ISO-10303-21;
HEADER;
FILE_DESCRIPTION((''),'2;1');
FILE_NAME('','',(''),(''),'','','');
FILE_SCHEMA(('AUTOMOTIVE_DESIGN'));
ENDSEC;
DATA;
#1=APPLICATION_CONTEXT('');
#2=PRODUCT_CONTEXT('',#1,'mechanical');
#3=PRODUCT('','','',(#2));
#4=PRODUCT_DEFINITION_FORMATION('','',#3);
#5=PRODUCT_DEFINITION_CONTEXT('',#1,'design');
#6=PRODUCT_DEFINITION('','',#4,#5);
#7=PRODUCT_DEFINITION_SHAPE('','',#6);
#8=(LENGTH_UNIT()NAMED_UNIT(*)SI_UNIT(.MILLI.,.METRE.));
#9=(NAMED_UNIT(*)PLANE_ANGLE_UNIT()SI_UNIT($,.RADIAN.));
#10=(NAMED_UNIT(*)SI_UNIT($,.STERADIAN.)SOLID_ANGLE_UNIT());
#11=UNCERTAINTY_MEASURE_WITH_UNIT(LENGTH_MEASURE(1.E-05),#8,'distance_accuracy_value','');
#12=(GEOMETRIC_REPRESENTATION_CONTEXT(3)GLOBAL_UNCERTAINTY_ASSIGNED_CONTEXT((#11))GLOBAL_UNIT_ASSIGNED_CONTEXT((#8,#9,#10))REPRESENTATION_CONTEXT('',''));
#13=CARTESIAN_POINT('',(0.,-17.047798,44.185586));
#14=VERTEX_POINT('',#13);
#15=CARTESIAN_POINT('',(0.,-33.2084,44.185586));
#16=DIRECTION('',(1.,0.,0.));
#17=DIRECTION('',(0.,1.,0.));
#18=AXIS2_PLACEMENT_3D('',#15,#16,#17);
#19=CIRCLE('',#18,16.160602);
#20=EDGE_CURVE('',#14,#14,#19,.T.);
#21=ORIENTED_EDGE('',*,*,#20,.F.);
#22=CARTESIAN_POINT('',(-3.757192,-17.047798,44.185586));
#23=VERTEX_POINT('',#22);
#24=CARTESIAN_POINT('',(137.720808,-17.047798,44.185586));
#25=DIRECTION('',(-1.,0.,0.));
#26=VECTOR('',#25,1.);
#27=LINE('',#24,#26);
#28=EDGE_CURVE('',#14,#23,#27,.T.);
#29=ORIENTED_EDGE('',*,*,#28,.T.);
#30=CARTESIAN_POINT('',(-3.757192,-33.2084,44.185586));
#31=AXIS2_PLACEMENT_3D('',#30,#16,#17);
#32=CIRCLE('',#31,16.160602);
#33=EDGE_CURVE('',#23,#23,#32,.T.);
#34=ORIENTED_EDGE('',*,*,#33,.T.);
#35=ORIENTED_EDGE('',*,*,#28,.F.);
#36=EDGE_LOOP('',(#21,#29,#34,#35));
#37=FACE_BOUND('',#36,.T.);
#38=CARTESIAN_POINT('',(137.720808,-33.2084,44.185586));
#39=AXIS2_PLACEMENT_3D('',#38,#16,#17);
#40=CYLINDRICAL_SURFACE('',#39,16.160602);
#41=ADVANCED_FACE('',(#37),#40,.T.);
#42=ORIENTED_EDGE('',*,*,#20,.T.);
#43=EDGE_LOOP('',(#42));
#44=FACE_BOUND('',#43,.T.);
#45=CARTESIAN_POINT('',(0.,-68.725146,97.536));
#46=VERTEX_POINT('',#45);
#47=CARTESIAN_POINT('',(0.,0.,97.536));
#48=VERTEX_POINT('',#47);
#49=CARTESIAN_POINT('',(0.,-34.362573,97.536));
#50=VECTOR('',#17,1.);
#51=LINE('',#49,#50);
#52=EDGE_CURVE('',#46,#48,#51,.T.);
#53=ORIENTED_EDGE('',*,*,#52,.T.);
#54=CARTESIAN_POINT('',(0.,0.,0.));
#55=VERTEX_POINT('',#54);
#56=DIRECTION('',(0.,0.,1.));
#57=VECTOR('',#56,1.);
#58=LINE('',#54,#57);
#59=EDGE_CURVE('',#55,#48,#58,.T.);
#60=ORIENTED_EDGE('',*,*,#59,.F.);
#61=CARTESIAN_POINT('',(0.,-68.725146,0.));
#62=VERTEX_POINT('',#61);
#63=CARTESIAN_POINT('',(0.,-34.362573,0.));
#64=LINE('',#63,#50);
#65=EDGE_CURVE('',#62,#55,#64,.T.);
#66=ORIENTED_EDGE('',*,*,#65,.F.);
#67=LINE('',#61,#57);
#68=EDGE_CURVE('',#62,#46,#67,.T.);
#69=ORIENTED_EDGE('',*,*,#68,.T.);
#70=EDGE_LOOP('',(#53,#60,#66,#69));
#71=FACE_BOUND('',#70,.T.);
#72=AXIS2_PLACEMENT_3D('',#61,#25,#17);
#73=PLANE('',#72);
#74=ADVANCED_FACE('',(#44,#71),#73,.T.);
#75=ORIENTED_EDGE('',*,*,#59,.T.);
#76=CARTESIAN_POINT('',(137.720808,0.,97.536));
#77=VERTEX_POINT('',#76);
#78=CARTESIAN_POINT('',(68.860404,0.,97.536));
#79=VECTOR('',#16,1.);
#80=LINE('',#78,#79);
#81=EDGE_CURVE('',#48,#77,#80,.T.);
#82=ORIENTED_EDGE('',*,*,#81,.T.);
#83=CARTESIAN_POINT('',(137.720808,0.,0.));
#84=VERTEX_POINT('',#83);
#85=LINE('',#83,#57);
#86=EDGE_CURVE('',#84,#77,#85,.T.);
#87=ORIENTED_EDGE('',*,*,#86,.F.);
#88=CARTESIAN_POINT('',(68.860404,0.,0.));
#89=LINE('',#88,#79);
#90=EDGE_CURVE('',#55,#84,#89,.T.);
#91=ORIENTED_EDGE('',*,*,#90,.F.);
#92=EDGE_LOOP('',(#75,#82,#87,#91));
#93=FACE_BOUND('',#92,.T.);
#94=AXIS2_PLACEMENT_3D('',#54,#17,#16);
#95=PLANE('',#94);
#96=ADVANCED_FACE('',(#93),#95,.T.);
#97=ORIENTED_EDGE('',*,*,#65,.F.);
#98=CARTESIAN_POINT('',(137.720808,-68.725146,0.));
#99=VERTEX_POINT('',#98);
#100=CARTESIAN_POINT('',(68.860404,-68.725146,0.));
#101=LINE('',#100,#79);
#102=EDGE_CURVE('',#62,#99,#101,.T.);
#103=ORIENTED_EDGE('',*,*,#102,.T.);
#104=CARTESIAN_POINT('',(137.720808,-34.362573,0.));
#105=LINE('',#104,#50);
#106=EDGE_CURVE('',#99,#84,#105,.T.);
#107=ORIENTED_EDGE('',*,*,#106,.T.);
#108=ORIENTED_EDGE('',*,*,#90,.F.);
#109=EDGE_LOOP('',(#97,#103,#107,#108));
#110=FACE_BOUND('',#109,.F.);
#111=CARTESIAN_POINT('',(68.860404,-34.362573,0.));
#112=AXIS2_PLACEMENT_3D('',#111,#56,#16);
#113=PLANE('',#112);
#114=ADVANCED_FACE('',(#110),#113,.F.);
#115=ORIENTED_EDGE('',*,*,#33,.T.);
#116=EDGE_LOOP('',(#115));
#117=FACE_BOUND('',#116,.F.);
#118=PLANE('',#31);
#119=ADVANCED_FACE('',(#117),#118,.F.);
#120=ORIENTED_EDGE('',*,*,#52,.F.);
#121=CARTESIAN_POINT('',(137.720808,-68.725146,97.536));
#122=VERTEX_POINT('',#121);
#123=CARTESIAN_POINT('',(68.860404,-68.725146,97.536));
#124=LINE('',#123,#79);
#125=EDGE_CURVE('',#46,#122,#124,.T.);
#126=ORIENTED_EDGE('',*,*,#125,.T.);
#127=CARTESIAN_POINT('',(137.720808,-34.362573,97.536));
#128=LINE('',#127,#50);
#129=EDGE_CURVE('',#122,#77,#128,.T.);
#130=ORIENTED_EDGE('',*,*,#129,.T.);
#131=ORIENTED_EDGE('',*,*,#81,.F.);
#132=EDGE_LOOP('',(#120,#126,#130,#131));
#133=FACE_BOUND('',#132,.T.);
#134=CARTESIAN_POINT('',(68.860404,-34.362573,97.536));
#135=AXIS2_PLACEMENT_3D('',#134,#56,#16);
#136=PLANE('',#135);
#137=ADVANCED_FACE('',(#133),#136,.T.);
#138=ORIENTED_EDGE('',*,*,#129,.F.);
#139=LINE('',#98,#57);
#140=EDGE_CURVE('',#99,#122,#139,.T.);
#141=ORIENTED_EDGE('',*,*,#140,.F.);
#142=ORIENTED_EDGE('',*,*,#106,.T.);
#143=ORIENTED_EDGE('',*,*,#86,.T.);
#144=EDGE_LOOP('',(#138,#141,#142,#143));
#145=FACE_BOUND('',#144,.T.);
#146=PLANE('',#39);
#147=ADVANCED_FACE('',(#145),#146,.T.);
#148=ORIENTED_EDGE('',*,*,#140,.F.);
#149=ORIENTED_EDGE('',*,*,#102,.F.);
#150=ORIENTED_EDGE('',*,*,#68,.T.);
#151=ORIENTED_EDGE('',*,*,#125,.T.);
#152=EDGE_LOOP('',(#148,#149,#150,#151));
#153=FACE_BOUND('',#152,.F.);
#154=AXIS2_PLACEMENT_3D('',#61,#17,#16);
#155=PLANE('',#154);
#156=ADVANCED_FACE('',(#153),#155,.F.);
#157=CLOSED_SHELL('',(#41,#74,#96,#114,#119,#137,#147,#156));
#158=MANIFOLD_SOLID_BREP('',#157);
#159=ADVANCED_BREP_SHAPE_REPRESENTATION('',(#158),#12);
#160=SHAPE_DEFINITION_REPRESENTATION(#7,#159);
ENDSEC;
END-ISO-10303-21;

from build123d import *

# Parameters (mm, degrees)
F0_W     = 137.720808
F0_H     = 68.725146
F1_DEPTH = 97.536
F2_R     = 16.160602
F3_DEPTH = 141.478


with BuildPart() as f1:
    # F0 (on Top) → F1 (new body)
    with BuildSketch(Plane.XY):
        with Locations((68.860404, -34.362573)):
            Rectangle(F0_W, F0_H)
    extrude(amount=F1_DEPTH)

    # F2 (on face) → F3 (join)
    with BuildSketch(Plane.YZ.offset(137.720808)):
        with Locations((-33.2084, 44.185586)):
            Circle(F2_R)
    extrude(amount=-F3_DEPTH)


solid = f1.part
